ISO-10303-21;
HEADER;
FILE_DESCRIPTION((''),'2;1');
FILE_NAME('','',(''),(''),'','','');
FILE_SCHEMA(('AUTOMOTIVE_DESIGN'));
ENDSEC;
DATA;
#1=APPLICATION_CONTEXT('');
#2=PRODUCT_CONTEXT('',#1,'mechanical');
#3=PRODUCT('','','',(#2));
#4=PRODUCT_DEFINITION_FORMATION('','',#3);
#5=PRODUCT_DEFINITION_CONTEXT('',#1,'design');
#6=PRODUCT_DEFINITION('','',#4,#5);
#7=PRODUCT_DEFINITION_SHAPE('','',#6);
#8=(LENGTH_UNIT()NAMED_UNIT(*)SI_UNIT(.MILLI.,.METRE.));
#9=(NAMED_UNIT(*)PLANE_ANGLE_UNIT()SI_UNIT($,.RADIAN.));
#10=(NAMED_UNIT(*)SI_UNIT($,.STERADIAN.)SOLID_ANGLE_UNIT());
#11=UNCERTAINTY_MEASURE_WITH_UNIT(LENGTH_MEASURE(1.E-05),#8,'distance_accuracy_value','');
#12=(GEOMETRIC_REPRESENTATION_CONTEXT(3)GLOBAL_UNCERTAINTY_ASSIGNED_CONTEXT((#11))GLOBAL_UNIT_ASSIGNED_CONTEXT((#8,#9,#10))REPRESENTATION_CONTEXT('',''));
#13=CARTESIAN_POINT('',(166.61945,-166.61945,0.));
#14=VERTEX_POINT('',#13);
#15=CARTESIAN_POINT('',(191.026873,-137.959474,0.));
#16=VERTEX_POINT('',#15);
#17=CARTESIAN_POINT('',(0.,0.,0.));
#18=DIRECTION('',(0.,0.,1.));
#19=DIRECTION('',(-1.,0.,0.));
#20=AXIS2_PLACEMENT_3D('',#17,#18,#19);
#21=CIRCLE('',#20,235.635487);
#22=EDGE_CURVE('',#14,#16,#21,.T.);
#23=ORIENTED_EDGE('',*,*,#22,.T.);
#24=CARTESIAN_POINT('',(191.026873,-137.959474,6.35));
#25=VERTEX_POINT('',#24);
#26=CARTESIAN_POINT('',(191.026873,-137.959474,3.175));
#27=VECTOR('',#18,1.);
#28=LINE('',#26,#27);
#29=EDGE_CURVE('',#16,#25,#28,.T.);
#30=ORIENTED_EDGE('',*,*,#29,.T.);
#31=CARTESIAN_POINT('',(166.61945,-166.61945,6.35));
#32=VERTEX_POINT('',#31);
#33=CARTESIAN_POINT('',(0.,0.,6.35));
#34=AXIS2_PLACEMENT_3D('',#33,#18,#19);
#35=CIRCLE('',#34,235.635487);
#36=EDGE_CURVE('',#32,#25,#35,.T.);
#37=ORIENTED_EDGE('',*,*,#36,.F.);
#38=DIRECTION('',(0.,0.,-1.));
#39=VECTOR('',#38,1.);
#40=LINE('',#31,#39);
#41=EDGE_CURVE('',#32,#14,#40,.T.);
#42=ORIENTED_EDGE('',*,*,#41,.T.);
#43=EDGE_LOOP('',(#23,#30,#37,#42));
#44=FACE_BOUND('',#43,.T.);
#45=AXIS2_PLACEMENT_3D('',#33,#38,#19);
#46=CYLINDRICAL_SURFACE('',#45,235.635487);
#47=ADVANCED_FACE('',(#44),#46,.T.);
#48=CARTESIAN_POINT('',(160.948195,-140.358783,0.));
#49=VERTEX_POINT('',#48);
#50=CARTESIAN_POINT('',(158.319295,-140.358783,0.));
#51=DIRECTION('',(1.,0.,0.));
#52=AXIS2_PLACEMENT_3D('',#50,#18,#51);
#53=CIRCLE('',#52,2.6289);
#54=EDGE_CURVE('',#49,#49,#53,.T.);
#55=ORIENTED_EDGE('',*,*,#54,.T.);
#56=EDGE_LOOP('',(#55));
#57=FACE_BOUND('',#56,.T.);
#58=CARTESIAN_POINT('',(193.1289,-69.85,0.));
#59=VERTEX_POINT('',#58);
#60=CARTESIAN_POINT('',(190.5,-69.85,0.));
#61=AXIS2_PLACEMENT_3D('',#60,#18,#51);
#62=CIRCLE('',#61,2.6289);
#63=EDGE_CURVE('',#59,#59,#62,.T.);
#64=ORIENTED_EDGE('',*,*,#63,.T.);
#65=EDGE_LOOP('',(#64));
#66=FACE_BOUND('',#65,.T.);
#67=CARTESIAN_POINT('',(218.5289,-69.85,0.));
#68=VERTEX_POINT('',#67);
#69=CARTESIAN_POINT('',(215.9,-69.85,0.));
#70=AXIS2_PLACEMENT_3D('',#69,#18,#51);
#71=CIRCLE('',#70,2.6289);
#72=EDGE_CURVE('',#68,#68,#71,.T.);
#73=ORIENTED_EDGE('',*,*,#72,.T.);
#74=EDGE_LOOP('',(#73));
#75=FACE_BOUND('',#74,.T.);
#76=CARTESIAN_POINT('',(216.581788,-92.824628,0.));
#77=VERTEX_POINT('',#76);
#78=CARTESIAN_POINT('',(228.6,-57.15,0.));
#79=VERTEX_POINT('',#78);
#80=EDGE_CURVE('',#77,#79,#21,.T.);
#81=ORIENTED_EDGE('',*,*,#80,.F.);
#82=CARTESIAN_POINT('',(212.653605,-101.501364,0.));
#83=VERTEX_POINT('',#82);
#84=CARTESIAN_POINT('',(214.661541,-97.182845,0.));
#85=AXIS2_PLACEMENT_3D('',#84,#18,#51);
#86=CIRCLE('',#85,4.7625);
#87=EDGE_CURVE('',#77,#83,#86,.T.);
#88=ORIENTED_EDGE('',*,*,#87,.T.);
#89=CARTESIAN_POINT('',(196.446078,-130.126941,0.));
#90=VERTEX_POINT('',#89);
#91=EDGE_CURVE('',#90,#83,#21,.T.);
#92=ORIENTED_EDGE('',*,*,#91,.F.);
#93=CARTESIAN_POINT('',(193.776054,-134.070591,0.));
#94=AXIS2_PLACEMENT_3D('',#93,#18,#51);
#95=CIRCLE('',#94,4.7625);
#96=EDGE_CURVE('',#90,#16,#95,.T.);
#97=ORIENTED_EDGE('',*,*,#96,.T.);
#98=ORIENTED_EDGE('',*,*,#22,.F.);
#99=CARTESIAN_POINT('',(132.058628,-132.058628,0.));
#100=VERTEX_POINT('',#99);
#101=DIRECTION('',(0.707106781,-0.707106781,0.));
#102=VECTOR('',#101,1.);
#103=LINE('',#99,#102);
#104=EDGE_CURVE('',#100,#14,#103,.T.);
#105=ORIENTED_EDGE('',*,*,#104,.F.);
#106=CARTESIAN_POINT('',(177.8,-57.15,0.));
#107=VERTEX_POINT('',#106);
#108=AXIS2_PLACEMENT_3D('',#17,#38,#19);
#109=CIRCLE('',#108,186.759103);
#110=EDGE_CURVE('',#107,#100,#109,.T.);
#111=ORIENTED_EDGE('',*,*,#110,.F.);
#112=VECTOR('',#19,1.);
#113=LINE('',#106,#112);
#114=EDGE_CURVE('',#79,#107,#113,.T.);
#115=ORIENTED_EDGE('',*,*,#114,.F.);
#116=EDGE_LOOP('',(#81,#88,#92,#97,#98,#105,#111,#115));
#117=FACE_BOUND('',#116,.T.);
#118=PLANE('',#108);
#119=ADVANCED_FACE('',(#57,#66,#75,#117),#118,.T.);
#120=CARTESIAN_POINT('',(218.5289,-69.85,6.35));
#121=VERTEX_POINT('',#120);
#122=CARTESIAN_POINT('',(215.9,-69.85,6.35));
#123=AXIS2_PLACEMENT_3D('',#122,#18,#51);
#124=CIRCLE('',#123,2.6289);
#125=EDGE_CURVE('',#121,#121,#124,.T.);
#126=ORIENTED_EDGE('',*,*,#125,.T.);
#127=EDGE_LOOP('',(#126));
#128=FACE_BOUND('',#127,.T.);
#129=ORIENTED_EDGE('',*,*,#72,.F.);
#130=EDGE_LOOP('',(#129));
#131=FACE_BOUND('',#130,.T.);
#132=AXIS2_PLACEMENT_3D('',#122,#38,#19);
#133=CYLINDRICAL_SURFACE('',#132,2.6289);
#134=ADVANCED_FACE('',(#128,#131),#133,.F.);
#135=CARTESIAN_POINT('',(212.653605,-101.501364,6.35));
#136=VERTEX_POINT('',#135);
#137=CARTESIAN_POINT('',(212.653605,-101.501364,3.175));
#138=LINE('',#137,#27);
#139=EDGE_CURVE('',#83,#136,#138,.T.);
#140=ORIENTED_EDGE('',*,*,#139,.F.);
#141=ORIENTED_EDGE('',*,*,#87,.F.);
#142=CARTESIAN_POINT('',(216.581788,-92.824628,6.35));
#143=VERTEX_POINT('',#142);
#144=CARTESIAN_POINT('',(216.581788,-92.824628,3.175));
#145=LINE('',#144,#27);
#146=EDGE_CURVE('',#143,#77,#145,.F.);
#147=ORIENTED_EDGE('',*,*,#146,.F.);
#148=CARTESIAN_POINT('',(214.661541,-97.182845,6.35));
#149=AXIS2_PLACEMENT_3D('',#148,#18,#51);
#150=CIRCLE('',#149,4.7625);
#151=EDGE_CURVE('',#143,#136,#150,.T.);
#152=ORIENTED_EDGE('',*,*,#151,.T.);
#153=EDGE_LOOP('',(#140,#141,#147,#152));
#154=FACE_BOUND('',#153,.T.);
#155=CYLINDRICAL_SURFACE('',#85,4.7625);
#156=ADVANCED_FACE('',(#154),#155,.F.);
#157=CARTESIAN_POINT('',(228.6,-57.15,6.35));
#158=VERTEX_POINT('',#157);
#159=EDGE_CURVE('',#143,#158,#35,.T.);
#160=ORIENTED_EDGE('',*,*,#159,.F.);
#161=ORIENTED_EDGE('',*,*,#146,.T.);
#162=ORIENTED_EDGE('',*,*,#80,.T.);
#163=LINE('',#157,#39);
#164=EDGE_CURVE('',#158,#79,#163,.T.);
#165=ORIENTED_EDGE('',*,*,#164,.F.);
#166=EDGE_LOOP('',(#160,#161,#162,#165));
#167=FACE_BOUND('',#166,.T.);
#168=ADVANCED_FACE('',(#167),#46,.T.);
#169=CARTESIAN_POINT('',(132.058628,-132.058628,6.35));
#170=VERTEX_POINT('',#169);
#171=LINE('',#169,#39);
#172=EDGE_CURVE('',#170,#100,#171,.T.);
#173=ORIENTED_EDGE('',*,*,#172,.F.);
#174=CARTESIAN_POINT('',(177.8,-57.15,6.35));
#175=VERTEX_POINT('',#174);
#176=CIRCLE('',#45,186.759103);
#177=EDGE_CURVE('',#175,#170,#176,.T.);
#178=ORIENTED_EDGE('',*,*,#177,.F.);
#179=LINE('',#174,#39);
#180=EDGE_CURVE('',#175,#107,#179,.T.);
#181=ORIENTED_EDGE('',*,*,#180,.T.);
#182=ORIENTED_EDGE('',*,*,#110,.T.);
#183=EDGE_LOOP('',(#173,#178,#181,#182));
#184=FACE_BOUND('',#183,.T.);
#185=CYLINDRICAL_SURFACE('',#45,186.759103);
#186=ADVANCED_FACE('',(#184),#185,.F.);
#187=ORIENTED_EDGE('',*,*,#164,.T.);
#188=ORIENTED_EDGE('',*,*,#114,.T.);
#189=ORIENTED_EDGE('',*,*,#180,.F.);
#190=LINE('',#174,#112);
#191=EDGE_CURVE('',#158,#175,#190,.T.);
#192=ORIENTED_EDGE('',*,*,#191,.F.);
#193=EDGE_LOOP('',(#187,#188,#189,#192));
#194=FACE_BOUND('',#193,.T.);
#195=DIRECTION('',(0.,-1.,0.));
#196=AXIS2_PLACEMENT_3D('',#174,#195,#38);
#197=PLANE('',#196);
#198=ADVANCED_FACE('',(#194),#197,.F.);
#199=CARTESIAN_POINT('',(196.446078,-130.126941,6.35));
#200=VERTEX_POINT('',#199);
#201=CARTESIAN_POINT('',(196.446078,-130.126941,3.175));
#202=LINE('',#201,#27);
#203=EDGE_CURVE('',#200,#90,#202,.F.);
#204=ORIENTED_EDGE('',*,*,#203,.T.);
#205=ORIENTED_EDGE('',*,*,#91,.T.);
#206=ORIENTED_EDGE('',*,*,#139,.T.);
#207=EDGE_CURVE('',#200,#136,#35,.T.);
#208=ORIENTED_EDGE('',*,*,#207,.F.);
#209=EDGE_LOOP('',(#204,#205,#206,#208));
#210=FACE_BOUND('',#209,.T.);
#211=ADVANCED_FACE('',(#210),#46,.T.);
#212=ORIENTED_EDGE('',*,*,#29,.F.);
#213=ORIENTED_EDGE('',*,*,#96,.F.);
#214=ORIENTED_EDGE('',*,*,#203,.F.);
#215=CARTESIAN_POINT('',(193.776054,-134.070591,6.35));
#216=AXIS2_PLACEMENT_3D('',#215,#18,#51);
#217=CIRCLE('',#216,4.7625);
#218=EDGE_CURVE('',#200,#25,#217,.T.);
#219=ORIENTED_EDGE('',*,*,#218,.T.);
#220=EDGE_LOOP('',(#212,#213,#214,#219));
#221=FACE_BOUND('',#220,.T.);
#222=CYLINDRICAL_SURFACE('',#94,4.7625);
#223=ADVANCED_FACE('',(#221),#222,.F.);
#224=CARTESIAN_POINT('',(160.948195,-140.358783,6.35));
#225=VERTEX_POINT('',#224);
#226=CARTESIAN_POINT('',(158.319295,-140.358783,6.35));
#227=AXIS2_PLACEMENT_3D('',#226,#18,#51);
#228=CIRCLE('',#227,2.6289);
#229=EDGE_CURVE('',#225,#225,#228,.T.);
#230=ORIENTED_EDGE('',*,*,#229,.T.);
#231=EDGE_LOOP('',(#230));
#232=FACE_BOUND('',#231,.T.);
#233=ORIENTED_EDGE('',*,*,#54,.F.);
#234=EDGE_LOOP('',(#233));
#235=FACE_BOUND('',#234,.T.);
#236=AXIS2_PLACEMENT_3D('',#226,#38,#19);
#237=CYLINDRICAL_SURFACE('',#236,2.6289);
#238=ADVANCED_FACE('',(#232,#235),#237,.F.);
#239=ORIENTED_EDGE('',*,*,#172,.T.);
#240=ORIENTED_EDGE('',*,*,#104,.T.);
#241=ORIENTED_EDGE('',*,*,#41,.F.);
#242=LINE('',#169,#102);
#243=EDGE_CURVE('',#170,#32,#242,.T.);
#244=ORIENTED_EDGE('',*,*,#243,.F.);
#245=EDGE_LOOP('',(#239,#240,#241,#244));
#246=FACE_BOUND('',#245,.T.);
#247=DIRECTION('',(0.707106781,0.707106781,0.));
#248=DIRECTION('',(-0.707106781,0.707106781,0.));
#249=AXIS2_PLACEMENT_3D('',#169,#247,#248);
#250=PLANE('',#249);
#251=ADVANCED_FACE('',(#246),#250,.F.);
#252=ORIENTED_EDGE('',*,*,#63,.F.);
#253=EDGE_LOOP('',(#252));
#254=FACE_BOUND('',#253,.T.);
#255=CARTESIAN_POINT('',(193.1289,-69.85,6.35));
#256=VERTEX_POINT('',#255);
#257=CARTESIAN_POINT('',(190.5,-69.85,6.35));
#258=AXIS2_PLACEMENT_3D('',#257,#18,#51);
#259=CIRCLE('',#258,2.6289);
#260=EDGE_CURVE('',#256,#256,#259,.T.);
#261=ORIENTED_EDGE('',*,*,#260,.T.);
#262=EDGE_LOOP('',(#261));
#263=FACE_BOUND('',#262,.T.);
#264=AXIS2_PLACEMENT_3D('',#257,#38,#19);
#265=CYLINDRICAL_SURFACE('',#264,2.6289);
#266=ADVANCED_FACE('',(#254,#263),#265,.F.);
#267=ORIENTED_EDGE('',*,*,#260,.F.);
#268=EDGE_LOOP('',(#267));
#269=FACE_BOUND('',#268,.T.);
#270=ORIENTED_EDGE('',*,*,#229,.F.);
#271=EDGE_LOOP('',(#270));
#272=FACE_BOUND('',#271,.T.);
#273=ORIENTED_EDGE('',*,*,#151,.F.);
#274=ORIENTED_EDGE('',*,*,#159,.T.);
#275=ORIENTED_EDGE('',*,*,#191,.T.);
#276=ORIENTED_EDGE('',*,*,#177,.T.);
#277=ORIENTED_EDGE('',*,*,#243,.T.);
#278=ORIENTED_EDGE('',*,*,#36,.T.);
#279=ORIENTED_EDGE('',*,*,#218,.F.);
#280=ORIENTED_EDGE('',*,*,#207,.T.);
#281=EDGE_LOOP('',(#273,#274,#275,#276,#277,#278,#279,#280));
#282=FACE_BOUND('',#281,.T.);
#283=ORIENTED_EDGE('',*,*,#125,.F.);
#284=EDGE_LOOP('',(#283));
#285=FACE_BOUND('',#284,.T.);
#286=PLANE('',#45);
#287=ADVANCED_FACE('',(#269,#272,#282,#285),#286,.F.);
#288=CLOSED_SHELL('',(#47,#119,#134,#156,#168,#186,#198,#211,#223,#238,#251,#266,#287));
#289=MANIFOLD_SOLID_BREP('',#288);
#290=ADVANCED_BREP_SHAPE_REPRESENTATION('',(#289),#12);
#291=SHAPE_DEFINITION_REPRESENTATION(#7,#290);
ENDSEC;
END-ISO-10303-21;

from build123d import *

# Parameters (mm, degrees)
SKETCH1_R           = 2.6289
BOSS_EXTRUDE1_DEPTH = 6.35
SKETCH2_R           = 4.7625
CUT_EXTRUDE1_DEPTH  = 6.35


with BuildPart() as part:
    # Sketch1 → Boss-Extrude1 (new body)
    with BuildSketch(Plane.XY):
        with BuildLine():
            Line((177.8, -57.15), (228.6, -57.15))
            ThreePointArc((228.6, -57.15), (205.049978384, -116.097324969), (166.619450395, -166.619450395))
            Line((166.619450395, -166.619450395), (132.058628079, -132.058628079))
            ThreePointArc((132.058628079, -132.058628079), (159.392339806, -97.32956648), (177.8, -57.15))
        make_face()
        with Locations((190.5, -69.85)):
            Circle(SKETCH1_R, mode=Mode.SUBTRACT)
        with Locations((215.9, -69.85)):
            Circle(SKETCH1_R, mode=Mode.SUBTRACT)
        with Locations((158.319295358, -140.358783116)):
            Circle(SKETCH1_R, mode=Mode.SUBTRACT)
    extrude(amount=BOSS_EXTRUDE1_DEPTH)

    # Sketch2 → Cut-Extrude1 (cut)
    with BuildSketch(Plane.XY.offset(6.35)):
        with Locations((193.77605394, -134.07059118)):
            Circle(SKETCH2_R)
        with Locations((214.661540739, -97.182845336)):
            Circle(SKETCH2_R)
    extrude(amount=-CUT_EXTRUDE1_DEPTH, mode=Mode.SUBTRACT)


solid = part.part
